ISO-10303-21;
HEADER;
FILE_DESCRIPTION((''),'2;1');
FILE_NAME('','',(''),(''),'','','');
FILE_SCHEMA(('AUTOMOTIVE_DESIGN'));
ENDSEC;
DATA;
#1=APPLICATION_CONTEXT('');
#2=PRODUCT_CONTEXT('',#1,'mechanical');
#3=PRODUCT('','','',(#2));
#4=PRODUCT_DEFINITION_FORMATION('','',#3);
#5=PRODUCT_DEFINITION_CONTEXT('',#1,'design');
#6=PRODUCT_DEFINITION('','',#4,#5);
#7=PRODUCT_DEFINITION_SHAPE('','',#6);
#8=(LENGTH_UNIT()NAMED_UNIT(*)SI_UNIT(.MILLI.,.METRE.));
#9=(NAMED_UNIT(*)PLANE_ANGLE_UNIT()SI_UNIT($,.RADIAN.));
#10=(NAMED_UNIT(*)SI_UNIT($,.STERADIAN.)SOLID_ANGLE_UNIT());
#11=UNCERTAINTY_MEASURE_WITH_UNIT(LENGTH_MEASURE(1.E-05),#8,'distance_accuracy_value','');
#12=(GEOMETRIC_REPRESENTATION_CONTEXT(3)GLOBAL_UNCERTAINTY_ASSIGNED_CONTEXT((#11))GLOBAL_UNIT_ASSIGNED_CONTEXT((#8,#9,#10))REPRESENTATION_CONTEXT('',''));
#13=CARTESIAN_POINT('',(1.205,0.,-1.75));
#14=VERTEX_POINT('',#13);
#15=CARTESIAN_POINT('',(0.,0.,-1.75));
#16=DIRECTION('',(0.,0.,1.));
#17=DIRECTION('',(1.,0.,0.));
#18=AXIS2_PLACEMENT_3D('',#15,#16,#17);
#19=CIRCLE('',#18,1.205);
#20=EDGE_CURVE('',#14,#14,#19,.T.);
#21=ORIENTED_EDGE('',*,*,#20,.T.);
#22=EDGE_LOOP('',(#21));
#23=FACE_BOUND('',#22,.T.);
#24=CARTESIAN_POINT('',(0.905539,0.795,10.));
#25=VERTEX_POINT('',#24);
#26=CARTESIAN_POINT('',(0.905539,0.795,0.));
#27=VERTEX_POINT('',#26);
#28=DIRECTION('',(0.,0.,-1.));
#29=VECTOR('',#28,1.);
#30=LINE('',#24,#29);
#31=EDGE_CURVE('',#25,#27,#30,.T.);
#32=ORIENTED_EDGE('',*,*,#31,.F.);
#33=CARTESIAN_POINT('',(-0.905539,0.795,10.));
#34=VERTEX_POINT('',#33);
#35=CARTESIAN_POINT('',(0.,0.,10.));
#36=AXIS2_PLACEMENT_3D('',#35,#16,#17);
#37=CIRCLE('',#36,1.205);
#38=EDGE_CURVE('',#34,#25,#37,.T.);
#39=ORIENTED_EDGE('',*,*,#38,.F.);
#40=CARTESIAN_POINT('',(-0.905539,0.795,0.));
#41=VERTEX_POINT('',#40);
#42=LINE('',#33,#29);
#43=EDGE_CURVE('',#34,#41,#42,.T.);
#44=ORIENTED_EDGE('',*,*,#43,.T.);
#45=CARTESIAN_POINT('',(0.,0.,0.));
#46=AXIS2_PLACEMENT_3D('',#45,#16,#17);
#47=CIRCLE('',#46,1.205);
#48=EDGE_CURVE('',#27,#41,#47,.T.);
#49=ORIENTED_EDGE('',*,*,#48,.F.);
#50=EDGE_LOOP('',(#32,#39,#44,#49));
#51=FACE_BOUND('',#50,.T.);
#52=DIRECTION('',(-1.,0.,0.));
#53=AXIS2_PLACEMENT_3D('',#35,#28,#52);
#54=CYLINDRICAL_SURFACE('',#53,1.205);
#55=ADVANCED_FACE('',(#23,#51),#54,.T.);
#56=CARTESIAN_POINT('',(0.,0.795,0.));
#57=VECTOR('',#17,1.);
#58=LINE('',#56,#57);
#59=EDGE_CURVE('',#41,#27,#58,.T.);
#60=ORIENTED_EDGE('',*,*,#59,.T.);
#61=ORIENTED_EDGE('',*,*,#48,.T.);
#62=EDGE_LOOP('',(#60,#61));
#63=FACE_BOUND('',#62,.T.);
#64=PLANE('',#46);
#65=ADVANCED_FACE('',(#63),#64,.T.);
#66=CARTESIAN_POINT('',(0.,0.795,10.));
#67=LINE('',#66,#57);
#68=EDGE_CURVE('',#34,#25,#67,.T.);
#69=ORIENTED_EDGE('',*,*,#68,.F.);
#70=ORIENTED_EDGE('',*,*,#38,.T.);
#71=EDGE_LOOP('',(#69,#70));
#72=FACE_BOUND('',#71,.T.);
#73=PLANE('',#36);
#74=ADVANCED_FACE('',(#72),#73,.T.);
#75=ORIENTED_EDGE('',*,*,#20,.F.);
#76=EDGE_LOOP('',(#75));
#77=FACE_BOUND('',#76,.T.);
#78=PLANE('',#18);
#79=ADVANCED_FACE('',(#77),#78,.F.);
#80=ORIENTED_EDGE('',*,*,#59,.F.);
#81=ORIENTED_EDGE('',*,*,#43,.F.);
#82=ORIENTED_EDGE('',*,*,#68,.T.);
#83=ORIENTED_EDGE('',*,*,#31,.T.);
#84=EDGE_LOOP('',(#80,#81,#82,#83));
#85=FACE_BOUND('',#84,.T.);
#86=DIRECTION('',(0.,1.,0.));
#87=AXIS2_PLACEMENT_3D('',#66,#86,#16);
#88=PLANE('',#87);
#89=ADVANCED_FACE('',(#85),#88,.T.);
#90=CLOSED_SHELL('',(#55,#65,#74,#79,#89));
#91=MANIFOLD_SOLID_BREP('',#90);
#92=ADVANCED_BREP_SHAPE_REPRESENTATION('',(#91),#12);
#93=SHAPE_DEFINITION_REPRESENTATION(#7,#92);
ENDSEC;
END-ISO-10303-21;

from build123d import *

# Parameters (mm, degrees)
ROD_DEPTH   = 10
SLOT_START  = -1.75
SKETCH1_3_R = 1.205
SLOT_DEPTH  = 1.75


with BuildPart() as part:
    # Sketch1 → rod (new body)
    with BuildSketch(Plane.XY):
        with BuildLine():
            Line((0.905538514, 0.795), (-0.905538514, 0.795))
            ThreePointArc((-0.905538514, 0.795), (-0.424765283, -1.127652187), (1.205, 0))
            ThreePointArc((1.205, 0), (1.127652187, 0.424765283), (0.905538514, 0.795))
        make_face()
    extrude(amount=ROD_DEPTH)

    # Sketch1<3> → Slot (add)
    with BuildSketch(Plane.XY.offset(SLOT_START)):
        Circle(SKETCH1_3_R)
    extrude(amount=SLOT_DEPTH)


solid = part.part
